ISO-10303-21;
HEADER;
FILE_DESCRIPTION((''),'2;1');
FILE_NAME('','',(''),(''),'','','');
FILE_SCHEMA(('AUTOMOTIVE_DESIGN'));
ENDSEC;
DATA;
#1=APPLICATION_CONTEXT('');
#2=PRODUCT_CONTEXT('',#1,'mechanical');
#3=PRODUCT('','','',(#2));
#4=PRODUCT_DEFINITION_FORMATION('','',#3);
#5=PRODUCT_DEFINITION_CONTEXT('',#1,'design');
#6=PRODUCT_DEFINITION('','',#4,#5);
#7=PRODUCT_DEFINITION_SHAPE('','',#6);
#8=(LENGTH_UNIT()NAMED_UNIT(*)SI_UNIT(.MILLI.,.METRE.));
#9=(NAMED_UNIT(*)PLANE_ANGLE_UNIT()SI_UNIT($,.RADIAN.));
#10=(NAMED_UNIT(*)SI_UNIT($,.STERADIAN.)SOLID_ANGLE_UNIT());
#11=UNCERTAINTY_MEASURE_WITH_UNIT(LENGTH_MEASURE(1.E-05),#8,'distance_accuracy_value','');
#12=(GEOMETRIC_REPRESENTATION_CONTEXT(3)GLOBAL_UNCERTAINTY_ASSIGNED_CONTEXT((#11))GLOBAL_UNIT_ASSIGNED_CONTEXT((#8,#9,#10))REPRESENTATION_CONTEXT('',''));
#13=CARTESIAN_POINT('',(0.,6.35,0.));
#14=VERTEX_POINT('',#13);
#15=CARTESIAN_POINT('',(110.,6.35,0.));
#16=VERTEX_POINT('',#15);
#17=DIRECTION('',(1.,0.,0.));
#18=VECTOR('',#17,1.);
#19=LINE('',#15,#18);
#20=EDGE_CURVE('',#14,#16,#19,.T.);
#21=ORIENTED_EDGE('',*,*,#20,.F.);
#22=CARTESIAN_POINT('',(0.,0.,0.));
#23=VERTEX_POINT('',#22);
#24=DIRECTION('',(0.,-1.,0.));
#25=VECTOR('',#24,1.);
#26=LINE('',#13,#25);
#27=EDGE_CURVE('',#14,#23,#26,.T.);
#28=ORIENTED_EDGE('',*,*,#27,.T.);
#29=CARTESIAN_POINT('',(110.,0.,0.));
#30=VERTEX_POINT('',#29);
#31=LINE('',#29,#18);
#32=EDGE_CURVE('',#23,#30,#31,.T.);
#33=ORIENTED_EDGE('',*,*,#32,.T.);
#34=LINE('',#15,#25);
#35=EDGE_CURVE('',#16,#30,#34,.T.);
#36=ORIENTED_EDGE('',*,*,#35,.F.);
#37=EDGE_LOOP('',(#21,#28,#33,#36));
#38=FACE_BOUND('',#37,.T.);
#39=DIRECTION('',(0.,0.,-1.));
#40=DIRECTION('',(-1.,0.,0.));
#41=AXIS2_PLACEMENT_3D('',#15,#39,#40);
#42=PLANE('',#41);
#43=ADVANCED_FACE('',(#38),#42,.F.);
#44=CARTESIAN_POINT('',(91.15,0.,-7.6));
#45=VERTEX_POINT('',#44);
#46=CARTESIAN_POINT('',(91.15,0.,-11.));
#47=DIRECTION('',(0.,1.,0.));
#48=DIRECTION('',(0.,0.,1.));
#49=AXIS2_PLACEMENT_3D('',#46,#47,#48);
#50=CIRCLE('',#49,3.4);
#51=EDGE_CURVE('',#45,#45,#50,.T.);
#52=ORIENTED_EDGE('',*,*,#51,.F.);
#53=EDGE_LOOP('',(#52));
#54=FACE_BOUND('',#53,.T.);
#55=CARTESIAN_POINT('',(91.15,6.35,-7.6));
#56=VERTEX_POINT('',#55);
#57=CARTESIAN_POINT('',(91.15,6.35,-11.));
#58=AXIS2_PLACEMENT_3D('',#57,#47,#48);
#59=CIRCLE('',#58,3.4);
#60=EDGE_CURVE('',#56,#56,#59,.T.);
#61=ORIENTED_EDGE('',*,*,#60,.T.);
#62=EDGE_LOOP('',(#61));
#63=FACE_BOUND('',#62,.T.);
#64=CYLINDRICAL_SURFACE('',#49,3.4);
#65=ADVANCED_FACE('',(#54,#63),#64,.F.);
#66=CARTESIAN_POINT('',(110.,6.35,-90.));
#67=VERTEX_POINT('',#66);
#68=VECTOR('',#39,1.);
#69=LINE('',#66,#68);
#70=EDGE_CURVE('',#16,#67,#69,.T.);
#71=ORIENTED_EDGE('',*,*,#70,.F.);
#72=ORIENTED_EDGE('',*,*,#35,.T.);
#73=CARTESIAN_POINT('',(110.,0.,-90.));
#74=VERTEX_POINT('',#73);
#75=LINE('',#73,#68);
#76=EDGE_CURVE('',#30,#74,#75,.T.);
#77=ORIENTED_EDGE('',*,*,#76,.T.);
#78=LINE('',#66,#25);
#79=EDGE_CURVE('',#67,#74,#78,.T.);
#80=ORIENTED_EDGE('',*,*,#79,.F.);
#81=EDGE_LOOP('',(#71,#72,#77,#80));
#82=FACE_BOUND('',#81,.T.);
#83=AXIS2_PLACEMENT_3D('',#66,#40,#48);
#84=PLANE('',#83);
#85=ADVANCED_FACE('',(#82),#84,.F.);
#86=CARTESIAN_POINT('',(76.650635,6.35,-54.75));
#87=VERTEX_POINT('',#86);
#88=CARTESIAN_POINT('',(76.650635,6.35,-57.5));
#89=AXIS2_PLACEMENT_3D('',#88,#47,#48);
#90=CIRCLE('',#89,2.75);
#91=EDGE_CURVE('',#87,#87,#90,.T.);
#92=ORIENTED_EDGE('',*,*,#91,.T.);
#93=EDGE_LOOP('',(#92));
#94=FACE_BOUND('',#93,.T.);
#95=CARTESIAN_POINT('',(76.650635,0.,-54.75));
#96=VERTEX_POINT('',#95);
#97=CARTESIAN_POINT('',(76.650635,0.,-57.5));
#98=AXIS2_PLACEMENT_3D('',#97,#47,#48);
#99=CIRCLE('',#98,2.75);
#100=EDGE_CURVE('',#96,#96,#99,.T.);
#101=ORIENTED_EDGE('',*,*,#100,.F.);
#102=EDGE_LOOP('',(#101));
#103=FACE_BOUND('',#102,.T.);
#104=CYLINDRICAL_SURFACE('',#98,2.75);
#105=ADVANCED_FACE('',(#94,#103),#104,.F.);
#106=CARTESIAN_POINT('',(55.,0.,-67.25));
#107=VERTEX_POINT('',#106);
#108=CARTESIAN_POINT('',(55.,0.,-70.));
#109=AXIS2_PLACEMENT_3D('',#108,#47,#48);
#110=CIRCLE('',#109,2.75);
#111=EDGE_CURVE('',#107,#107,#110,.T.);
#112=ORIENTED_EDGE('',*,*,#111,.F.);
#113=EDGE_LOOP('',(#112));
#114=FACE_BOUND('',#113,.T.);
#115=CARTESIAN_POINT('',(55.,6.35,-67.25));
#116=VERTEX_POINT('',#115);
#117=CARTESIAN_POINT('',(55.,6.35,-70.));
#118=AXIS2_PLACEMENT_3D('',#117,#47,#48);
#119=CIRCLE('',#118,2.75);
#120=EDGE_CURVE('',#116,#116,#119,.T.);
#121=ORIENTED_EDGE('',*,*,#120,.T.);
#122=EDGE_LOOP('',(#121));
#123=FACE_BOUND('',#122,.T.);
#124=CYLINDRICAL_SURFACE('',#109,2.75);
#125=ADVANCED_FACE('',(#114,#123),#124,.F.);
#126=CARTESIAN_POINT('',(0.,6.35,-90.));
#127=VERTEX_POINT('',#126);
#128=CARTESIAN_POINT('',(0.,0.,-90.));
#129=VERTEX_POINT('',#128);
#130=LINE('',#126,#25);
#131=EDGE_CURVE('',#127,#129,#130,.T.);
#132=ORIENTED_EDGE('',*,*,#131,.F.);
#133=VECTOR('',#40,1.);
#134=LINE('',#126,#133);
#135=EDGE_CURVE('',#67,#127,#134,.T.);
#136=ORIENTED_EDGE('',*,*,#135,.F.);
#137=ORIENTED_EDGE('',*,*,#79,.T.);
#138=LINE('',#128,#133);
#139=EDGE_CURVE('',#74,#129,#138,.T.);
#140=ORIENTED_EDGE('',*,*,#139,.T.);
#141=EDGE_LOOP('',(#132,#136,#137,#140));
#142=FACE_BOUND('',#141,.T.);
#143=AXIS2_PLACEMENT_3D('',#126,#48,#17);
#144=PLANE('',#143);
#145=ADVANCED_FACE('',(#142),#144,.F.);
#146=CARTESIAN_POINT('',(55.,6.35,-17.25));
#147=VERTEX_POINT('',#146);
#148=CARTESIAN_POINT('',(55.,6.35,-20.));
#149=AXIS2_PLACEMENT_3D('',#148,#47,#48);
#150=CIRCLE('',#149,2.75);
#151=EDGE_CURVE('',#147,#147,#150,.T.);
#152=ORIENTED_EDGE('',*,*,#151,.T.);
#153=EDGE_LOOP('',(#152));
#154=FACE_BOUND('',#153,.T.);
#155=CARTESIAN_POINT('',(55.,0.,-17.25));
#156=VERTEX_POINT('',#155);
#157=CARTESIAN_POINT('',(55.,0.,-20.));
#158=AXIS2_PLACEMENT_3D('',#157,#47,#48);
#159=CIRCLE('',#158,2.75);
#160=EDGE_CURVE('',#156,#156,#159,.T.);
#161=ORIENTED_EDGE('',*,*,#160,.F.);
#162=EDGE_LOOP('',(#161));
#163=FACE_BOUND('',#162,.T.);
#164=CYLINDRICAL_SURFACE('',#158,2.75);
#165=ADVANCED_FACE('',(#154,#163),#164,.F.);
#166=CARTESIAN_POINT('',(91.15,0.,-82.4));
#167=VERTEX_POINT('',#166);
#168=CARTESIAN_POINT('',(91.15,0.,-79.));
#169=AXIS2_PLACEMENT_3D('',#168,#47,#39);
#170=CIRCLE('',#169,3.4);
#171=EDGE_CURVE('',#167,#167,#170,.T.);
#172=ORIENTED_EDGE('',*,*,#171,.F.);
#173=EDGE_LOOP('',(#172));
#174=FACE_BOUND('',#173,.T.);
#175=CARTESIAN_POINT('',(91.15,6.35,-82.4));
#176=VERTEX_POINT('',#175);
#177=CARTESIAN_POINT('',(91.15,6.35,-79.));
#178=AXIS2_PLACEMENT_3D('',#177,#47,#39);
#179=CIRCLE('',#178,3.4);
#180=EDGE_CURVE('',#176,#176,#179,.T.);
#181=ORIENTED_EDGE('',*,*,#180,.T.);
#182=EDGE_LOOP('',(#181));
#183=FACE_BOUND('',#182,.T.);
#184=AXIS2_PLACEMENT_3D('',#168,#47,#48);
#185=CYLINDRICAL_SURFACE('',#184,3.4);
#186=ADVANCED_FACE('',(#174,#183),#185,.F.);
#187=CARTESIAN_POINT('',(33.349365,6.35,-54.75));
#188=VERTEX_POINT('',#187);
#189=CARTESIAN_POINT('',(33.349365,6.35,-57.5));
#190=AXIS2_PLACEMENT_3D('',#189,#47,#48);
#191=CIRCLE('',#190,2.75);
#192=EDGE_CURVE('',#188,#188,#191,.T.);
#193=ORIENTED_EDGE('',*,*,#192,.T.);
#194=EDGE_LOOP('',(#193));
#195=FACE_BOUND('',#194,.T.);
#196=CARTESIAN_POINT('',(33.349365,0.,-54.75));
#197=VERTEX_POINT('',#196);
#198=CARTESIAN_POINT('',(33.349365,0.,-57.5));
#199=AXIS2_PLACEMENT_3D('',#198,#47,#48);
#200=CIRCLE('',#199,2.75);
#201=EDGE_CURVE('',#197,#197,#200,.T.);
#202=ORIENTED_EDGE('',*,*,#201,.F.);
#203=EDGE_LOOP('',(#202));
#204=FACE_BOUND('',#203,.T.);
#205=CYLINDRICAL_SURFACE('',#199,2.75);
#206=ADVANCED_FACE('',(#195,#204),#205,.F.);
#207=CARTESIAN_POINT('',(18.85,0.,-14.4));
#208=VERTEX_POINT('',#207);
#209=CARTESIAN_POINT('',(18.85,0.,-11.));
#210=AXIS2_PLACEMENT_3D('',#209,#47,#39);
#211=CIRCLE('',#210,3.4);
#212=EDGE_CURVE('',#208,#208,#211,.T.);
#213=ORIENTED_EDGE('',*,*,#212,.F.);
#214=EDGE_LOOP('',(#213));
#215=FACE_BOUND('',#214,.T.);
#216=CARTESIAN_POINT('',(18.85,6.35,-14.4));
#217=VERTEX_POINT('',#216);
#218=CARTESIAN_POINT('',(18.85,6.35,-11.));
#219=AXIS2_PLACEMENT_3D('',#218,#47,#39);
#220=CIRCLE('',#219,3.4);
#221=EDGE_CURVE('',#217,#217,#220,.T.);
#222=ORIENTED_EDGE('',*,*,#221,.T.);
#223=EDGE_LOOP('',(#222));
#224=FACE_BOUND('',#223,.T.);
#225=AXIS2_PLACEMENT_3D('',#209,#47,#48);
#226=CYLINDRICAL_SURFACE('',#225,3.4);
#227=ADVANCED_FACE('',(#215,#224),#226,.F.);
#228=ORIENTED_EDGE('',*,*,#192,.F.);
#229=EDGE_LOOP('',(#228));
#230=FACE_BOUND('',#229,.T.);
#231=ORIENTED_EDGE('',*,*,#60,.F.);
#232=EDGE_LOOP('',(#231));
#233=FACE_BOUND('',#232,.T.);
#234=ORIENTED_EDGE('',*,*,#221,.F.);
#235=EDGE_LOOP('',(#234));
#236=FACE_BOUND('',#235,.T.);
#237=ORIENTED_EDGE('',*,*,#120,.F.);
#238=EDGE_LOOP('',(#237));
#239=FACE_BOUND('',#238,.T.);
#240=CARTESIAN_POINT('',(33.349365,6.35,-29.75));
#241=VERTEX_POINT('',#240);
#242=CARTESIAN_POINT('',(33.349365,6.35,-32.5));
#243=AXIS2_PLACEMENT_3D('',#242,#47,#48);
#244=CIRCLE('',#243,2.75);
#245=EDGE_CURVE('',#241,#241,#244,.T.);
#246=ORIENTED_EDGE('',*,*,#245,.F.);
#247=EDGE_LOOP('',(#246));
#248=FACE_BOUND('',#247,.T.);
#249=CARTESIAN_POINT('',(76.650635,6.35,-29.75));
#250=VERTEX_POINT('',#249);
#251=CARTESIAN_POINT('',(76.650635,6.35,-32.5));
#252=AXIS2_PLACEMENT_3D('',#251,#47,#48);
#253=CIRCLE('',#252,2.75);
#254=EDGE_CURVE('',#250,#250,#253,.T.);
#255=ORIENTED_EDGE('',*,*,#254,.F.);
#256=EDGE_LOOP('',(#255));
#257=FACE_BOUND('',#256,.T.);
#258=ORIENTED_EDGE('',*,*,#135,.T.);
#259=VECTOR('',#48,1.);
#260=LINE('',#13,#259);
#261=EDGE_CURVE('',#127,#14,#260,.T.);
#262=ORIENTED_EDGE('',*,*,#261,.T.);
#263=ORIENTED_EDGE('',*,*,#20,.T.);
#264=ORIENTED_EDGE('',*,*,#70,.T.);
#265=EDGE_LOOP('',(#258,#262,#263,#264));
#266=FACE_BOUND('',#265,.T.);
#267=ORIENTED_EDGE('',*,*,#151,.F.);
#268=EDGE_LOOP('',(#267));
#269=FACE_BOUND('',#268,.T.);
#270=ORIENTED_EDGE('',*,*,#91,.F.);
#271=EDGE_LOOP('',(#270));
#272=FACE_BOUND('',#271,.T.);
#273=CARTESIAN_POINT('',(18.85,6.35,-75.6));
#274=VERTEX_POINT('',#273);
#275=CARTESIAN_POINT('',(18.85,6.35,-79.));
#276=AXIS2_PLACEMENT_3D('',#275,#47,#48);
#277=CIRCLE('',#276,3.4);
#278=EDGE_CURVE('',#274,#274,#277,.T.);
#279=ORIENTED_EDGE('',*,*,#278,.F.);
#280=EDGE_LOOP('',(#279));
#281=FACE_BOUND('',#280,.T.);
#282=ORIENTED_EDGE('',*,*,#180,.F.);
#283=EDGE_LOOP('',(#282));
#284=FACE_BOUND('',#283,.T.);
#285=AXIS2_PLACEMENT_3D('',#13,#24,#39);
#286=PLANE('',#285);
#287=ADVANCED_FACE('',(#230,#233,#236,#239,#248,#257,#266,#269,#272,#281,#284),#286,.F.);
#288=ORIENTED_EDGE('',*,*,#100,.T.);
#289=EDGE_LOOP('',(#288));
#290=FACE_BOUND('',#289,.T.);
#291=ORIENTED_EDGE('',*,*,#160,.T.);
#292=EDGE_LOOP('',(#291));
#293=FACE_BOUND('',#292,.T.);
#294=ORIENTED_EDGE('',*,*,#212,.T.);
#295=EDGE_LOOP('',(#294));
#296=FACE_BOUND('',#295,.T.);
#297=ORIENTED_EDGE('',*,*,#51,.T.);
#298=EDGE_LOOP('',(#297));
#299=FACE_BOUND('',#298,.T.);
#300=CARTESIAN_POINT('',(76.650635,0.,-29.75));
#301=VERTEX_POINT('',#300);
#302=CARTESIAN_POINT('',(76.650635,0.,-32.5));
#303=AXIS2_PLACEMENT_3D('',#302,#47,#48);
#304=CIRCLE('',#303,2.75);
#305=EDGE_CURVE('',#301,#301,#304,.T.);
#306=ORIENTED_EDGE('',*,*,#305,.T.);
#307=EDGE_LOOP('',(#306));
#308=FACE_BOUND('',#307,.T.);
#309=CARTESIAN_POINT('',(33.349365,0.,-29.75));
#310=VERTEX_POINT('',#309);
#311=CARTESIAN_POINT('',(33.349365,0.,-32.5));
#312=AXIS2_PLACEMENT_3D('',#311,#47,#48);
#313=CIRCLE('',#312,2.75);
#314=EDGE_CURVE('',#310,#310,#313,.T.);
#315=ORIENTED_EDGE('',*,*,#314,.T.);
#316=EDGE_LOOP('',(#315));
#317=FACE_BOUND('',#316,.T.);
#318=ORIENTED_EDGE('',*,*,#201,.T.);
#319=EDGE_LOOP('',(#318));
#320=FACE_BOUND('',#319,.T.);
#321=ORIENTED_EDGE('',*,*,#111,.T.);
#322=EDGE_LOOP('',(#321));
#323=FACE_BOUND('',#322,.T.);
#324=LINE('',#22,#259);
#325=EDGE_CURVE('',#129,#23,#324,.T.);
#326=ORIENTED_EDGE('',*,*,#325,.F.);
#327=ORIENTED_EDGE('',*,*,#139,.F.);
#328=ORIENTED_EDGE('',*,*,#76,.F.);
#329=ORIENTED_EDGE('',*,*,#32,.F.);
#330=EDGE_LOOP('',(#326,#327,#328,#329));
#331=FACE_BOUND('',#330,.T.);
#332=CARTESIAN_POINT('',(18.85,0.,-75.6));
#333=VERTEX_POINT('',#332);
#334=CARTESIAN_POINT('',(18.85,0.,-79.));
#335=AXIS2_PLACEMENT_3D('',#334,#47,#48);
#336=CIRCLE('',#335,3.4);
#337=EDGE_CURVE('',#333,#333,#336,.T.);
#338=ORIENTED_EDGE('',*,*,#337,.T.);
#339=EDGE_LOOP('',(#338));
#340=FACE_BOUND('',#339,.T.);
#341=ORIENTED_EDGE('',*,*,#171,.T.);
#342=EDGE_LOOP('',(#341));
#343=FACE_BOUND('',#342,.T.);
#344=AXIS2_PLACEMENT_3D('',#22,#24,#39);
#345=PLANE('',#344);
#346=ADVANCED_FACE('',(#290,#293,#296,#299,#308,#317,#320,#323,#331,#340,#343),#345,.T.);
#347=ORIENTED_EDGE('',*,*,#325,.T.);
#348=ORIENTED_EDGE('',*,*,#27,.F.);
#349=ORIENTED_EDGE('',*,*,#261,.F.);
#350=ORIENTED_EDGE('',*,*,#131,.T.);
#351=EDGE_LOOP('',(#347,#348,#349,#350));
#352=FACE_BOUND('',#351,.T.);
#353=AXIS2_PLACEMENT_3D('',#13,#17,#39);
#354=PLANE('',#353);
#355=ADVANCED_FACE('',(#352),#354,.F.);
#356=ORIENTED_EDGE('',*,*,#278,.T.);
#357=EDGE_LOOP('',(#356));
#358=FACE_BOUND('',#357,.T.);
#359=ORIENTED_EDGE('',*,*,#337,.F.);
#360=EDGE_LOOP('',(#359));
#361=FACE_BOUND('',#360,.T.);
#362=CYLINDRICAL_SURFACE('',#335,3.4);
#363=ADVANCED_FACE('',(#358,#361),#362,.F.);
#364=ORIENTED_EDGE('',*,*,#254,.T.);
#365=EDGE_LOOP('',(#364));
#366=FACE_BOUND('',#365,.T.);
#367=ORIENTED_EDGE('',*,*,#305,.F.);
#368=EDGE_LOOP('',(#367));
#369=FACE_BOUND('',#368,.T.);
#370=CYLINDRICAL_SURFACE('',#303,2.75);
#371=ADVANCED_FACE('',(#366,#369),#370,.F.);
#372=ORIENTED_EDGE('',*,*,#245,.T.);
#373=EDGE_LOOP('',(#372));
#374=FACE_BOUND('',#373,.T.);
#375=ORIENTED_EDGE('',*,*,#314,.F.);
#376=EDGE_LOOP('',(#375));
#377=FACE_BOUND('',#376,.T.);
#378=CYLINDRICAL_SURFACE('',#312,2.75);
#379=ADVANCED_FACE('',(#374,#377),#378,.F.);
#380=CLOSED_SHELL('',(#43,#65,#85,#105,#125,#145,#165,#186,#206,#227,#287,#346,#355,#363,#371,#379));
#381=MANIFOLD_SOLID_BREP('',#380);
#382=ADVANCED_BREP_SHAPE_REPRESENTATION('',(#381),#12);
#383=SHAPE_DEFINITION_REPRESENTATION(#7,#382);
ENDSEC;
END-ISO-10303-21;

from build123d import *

# Parameters (mm, degrees)
SKETCH2_W            = 110
SKETCH2_H            = 90
BOSS_EXTRUDE1_DEPTH  = 6.35
SKETCH3_R            = 3.4
MOUNTING_HOLES_DEPTH = 143.268487375
SKETCH4_R            = 2.75
CUT_EXTRUDE1_DEPTH   = 143.268487375


with BuildPart() as part:
    # Sketch2 → Boss-Extrude1 (new body)
    with BuildSketch(Plane(origin=(0, 0, 0), x_dir=(1, 0, 0), z_dir=(0, 1, 0))):
        with Locations((55, 45)):
            Rectangle(SKETCH2_W, SKETCH2_H)
    extrude(amount=BOSS_EXTRUDE1_DEPTH)

    # Sketch3 → Mounting Holes (cut, through all)
    with BuildSketch(Plane(origin=(0, 6.35, 0), x_dir=(1, 0, 0), z_dir=(0, 1, 0))):
        with Locations(Location((18.85, 79, 0), (0, 0, 270))):
            Circle(SKETCH3_R)
        with Locations(Location((18.85, 11, 0), (0, 0, 90))):
            Circle(SKETCH3_R)
        with Locations(Location((91.15, 11, 0), (0, 0, 270))):
            Circle(SKETCH3_R)
        with Locations(Location((91.15, 79, 0), (0, 0, 90))):
            Circle(SKETCH3_R)
    extrude(amount=-MOUNTING_HOLES_DEPTH, mode=Mode.SUBTRACT)

    # Sketch4 → Cut-Extrude1 (cut, through all)
    with BuildSketch(Plane(origin=(0, 6.35, 0), x_dir=(1, 0, 0), z_dir=(0, 1, 0))):
        with Locations(Location((55, 70, 0), (0, 0, 270))):
            Circle(SKETCH4_R)
        with Locations(Location((76.650635095, 57.5, 0), (0, 0, 270))):
            Circle(SKETCH4_R)
        with Locations(Location((76.650635095, 32.5, 0), (0, 0, 270))):
            Circle(SKETCH4_R)
        with Locations(Location((55, 20, 0), (0, 0, 270))):
            Circle(SKETCH4_R)
        with Locations(Location((33.349364905, 32.5, 0), (0, 0, 270))):
            Circle(SKETCH4_R)
        with Locations(Location((33.349364905, 57.5, 0), (0, 0, 270))):
            Circle(SKETCH4_R)
    extrude(amount=-CUT_EXTRUDE1_DEPTH, mode=Mode.SUBTRACT)


solid = part.part
